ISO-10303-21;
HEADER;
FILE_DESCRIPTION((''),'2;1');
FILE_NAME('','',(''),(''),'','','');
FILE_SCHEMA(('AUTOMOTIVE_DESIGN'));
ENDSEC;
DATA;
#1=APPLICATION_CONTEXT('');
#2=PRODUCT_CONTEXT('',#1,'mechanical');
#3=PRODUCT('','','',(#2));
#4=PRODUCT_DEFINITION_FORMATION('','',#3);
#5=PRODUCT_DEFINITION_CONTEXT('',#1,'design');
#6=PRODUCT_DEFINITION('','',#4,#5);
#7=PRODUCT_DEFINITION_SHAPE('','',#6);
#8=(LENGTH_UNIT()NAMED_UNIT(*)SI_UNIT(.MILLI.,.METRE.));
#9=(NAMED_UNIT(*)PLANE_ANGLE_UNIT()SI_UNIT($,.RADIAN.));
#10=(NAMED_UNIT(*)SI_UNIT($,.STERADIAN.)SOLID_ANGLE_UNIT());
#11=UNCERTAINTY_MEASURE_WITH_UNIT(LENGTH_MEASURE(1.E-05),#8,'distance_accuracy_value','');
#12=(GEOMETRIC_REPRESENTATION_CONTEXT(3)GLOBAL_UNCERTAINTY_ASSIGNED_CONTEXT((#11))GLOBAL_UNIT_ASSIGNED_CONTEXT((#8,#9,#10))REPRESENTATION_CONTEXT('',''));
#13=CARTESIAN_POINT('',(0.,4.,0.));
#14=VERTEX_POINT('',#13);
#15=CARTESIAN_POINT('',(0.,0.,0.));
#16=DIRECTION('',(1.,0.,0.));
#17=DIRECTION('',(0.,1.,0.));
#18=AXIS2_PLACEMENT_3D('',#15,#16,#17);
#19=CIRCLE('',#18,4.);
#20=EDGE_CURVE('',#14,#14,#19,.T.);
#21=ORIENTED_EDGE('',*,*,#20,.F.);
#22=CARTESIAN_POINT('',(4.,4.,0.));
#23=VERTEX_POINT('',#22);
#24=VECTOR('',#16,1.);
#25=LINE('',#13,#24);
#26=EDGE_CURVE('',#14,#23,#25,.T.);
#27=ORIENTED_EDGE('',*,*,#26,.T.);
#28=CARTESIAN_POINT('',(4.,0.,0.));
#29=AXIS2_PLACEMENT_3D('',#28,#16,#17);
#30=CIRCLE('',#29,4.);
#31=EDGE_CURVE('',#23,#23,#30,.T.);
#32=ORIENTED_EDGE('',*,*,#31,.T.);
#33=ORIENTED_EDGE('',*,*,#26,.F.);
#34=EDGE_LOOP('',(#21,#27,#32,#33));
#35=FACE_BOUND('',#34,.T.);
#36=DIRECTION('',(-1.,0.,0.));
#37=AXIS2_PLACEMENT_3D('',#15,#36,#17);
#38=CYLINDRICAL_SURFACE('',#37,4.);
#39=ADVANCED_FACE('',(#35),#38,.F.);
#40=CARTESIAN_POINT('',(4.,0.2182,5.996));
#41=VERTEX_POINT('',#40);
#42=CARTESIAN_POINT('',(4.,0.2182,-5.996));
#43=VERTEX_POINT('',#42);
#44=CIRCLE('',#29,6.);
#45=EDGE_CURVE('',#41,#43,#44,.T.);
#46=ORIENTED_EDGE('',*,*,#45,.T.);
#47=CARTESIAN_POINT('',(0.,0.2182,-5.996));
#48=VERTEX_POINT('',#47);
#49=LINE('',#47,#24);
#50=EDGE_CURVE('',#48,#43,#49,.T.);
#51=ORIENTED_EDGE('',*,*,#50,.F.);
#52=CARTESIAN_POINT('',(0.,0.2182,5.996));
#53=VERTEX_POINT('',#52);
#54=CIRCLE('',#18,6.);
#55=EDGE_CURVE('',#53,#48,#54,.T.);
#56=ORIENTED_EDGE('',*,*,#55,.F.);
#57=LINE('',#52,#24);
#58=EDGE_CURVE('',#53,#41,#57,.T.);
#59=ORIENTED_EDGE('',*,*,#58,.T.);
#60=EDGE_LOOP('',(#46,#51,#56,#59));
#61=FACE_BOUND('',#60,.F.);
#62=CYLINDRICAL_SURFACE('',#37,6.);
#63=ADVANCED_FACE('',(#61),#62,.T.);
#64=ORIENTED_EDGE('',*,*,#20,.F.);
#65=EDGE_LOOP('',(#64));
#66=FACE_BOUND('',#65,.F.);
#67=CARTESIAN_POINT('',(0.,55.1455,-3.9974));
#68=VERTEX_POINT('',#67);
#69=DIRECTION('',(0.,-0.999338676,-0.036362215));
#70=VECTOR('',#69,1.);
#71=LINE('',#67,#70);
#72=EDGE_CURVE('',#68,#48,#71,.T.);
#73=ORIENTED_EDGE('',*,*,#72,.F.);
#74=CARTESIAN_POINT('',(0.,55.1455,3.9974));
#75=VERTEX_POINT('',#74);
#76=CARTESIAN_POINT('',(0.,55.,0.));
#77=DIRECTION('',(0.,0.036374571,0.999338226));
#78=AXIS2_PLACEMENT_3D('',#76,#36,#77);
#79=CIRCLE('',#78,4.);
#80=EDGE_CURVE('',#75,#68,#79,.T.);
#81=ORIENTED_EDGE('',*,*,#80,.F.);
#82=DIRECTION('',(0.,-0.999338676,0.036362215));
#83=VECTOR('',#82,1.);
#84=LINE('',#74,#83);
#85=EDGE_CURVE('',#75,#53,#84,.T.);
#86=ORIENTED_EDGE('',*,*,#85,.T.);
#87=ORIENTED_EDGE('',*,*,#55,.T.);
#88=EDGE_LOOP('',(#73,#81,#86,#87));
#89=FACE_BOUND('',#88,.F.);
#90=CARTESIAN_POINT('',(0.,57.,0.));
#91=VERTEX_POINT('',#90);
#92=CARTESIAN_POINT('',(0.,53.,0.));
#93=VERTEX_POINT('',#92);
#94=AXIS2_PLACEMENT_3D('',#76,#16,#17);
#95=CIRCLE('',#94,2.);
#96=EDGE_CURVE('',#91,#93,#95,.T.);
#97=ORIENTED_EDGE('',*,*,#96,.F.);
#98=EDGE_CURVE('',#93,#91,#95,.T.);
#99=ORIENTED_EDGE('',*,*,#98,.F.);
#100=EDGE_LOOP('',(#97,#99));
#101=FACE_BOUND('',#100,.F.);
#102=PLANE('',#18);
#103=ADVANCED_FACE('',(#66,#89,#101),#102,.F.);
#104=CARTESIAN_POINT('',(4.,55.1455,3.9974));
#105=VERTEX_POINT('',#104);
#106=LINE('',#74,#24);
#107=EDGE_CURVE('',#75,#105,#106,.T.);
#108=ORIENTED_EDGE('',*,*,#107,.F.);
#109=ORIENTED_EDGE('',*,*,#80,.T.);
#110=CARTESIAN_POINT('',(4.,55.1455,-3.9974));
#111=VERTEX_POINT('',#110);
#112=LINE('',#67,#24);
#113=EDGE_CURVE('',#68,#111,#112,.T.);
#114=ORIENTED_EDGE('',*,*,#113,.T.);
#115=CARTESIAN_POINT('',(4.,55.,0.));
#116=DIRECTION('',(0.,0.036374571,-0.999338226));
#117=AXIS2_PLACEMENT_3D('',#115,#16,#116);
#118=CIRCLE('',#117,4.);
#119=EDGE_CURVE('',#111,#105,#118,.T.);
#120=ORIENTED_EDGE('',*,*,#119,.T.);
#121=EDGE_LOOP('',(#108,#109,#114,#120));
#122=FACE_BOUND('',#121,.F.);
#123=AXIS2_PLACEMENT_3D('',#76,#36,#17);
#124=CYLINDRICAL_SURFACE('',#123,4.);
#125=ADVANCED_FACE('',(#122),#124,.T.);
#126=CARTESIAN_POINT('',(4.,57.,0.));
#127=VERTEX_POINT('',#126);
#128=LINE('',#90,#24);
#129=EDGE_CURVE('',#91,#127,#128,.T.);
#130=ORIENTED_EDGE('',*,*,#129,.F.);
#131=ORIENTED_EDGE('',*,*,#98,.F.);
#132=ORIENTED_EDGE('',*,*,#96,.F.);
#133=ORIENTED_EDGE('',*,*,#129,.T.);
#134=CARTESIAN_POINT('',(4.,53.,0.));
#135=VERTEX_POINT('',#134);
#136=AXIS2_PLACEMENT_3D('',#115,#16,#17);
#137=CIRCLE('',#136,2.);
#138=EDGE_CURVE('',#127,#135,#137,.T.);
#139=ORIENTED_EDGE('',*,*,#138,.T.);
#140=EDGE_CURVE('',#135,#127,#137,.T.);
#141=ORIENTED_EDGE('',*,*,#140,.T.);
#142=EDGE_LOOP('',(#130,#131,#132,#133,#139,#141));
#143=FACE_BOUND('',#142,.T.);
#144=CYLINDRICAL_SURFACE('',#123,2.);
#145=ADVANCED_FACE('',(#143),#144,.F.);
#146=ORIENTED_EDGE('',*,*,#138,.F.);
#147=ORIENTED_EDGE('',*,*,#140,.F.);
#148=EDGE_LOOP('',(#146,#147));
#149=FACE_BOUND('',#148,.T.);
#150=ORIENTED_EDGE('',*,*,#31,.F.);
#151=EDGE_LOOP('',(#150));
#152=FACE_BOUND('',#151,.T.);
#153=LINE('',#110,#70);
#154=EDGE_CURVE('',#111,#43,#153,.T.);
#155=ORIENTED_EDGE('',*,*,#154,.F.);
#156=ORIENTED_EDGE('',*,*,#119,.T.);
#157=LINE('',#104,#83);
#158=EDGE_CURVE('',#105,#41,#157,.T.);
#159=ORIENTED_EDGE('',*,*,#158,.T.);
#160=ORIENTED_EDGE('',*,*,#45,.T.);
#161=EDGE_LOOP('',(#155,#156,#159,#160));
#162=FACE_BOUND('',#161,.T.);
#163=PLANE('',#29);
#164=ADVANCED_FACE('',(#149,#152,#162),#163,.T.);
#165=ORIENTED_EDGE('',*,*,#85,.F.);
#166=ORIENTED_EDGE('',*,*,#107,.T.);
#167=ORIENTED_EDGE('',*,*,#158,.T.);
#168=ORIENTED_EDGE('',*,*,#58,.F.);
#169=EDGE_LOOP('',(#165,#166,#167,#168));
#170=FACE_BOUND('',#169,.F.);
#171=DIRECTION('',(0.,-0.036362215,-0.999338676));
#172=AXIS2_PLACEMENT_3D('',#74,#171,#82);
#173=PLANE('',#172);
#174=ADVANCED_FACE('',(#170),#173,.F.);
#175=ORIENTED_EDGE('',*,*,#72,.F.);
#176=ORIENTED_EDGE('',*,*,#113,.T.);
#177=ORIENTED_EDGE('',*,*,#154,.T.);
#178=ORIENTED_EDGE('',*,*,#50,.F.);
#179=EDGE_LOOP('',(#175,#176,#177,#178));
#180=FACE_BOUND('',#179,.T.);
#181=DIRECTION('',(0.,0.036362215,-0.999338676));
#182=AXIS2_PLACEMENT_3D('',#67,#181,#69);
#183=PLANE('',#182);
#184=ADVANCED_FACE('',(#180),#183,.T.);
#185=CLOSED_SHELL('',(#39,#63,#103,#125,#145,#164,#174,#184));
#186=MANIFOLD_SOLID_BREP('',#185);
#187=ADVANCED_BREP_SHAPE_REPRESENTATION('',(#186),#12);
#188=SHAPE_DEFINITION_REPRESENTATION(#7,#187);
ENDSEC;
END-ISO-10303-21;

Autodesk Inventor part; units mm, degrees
ref_plane "YZ Plane" through (0, 0, 0) normal (1, 0, 0) x (0, 1, 0)
ref_plane "XZ Plane" through (0, 0, 0) normal (0, 1, 0) x (-1, 0, 0)
ref_plane "XY Plane" through (0, 0, 0) normal (0, 0, 1) x (1, 0, 0)
sketch "Sketch1" plane through (0, 0, 0) normal (1, 0, 0) x (0, 1, 0)
  circle A0 centre (0, 0) radius 4
  circle A1 centre (0, 0) radius 6
  circle A2 centre (55, 0) radius 2
  circle A3 centre (55, 0) radius 4
  line L0 (55, 0) -> (0, 0)
  line L1 (55.1455, 3.9974) -> (0.2182, 5.996)
  line L2 (55.1455, -3.9974) -> (0.2182, -5.996)
  dimension "d0" = 8
  dimension "d1" = 12
  dimension "d2" = 4
  dimension "d3" = 8
  dimension "d4" = 55
extrude "Extrusion1" add sketch "Sketch1" along normal blind 4
properties part number "crank"
